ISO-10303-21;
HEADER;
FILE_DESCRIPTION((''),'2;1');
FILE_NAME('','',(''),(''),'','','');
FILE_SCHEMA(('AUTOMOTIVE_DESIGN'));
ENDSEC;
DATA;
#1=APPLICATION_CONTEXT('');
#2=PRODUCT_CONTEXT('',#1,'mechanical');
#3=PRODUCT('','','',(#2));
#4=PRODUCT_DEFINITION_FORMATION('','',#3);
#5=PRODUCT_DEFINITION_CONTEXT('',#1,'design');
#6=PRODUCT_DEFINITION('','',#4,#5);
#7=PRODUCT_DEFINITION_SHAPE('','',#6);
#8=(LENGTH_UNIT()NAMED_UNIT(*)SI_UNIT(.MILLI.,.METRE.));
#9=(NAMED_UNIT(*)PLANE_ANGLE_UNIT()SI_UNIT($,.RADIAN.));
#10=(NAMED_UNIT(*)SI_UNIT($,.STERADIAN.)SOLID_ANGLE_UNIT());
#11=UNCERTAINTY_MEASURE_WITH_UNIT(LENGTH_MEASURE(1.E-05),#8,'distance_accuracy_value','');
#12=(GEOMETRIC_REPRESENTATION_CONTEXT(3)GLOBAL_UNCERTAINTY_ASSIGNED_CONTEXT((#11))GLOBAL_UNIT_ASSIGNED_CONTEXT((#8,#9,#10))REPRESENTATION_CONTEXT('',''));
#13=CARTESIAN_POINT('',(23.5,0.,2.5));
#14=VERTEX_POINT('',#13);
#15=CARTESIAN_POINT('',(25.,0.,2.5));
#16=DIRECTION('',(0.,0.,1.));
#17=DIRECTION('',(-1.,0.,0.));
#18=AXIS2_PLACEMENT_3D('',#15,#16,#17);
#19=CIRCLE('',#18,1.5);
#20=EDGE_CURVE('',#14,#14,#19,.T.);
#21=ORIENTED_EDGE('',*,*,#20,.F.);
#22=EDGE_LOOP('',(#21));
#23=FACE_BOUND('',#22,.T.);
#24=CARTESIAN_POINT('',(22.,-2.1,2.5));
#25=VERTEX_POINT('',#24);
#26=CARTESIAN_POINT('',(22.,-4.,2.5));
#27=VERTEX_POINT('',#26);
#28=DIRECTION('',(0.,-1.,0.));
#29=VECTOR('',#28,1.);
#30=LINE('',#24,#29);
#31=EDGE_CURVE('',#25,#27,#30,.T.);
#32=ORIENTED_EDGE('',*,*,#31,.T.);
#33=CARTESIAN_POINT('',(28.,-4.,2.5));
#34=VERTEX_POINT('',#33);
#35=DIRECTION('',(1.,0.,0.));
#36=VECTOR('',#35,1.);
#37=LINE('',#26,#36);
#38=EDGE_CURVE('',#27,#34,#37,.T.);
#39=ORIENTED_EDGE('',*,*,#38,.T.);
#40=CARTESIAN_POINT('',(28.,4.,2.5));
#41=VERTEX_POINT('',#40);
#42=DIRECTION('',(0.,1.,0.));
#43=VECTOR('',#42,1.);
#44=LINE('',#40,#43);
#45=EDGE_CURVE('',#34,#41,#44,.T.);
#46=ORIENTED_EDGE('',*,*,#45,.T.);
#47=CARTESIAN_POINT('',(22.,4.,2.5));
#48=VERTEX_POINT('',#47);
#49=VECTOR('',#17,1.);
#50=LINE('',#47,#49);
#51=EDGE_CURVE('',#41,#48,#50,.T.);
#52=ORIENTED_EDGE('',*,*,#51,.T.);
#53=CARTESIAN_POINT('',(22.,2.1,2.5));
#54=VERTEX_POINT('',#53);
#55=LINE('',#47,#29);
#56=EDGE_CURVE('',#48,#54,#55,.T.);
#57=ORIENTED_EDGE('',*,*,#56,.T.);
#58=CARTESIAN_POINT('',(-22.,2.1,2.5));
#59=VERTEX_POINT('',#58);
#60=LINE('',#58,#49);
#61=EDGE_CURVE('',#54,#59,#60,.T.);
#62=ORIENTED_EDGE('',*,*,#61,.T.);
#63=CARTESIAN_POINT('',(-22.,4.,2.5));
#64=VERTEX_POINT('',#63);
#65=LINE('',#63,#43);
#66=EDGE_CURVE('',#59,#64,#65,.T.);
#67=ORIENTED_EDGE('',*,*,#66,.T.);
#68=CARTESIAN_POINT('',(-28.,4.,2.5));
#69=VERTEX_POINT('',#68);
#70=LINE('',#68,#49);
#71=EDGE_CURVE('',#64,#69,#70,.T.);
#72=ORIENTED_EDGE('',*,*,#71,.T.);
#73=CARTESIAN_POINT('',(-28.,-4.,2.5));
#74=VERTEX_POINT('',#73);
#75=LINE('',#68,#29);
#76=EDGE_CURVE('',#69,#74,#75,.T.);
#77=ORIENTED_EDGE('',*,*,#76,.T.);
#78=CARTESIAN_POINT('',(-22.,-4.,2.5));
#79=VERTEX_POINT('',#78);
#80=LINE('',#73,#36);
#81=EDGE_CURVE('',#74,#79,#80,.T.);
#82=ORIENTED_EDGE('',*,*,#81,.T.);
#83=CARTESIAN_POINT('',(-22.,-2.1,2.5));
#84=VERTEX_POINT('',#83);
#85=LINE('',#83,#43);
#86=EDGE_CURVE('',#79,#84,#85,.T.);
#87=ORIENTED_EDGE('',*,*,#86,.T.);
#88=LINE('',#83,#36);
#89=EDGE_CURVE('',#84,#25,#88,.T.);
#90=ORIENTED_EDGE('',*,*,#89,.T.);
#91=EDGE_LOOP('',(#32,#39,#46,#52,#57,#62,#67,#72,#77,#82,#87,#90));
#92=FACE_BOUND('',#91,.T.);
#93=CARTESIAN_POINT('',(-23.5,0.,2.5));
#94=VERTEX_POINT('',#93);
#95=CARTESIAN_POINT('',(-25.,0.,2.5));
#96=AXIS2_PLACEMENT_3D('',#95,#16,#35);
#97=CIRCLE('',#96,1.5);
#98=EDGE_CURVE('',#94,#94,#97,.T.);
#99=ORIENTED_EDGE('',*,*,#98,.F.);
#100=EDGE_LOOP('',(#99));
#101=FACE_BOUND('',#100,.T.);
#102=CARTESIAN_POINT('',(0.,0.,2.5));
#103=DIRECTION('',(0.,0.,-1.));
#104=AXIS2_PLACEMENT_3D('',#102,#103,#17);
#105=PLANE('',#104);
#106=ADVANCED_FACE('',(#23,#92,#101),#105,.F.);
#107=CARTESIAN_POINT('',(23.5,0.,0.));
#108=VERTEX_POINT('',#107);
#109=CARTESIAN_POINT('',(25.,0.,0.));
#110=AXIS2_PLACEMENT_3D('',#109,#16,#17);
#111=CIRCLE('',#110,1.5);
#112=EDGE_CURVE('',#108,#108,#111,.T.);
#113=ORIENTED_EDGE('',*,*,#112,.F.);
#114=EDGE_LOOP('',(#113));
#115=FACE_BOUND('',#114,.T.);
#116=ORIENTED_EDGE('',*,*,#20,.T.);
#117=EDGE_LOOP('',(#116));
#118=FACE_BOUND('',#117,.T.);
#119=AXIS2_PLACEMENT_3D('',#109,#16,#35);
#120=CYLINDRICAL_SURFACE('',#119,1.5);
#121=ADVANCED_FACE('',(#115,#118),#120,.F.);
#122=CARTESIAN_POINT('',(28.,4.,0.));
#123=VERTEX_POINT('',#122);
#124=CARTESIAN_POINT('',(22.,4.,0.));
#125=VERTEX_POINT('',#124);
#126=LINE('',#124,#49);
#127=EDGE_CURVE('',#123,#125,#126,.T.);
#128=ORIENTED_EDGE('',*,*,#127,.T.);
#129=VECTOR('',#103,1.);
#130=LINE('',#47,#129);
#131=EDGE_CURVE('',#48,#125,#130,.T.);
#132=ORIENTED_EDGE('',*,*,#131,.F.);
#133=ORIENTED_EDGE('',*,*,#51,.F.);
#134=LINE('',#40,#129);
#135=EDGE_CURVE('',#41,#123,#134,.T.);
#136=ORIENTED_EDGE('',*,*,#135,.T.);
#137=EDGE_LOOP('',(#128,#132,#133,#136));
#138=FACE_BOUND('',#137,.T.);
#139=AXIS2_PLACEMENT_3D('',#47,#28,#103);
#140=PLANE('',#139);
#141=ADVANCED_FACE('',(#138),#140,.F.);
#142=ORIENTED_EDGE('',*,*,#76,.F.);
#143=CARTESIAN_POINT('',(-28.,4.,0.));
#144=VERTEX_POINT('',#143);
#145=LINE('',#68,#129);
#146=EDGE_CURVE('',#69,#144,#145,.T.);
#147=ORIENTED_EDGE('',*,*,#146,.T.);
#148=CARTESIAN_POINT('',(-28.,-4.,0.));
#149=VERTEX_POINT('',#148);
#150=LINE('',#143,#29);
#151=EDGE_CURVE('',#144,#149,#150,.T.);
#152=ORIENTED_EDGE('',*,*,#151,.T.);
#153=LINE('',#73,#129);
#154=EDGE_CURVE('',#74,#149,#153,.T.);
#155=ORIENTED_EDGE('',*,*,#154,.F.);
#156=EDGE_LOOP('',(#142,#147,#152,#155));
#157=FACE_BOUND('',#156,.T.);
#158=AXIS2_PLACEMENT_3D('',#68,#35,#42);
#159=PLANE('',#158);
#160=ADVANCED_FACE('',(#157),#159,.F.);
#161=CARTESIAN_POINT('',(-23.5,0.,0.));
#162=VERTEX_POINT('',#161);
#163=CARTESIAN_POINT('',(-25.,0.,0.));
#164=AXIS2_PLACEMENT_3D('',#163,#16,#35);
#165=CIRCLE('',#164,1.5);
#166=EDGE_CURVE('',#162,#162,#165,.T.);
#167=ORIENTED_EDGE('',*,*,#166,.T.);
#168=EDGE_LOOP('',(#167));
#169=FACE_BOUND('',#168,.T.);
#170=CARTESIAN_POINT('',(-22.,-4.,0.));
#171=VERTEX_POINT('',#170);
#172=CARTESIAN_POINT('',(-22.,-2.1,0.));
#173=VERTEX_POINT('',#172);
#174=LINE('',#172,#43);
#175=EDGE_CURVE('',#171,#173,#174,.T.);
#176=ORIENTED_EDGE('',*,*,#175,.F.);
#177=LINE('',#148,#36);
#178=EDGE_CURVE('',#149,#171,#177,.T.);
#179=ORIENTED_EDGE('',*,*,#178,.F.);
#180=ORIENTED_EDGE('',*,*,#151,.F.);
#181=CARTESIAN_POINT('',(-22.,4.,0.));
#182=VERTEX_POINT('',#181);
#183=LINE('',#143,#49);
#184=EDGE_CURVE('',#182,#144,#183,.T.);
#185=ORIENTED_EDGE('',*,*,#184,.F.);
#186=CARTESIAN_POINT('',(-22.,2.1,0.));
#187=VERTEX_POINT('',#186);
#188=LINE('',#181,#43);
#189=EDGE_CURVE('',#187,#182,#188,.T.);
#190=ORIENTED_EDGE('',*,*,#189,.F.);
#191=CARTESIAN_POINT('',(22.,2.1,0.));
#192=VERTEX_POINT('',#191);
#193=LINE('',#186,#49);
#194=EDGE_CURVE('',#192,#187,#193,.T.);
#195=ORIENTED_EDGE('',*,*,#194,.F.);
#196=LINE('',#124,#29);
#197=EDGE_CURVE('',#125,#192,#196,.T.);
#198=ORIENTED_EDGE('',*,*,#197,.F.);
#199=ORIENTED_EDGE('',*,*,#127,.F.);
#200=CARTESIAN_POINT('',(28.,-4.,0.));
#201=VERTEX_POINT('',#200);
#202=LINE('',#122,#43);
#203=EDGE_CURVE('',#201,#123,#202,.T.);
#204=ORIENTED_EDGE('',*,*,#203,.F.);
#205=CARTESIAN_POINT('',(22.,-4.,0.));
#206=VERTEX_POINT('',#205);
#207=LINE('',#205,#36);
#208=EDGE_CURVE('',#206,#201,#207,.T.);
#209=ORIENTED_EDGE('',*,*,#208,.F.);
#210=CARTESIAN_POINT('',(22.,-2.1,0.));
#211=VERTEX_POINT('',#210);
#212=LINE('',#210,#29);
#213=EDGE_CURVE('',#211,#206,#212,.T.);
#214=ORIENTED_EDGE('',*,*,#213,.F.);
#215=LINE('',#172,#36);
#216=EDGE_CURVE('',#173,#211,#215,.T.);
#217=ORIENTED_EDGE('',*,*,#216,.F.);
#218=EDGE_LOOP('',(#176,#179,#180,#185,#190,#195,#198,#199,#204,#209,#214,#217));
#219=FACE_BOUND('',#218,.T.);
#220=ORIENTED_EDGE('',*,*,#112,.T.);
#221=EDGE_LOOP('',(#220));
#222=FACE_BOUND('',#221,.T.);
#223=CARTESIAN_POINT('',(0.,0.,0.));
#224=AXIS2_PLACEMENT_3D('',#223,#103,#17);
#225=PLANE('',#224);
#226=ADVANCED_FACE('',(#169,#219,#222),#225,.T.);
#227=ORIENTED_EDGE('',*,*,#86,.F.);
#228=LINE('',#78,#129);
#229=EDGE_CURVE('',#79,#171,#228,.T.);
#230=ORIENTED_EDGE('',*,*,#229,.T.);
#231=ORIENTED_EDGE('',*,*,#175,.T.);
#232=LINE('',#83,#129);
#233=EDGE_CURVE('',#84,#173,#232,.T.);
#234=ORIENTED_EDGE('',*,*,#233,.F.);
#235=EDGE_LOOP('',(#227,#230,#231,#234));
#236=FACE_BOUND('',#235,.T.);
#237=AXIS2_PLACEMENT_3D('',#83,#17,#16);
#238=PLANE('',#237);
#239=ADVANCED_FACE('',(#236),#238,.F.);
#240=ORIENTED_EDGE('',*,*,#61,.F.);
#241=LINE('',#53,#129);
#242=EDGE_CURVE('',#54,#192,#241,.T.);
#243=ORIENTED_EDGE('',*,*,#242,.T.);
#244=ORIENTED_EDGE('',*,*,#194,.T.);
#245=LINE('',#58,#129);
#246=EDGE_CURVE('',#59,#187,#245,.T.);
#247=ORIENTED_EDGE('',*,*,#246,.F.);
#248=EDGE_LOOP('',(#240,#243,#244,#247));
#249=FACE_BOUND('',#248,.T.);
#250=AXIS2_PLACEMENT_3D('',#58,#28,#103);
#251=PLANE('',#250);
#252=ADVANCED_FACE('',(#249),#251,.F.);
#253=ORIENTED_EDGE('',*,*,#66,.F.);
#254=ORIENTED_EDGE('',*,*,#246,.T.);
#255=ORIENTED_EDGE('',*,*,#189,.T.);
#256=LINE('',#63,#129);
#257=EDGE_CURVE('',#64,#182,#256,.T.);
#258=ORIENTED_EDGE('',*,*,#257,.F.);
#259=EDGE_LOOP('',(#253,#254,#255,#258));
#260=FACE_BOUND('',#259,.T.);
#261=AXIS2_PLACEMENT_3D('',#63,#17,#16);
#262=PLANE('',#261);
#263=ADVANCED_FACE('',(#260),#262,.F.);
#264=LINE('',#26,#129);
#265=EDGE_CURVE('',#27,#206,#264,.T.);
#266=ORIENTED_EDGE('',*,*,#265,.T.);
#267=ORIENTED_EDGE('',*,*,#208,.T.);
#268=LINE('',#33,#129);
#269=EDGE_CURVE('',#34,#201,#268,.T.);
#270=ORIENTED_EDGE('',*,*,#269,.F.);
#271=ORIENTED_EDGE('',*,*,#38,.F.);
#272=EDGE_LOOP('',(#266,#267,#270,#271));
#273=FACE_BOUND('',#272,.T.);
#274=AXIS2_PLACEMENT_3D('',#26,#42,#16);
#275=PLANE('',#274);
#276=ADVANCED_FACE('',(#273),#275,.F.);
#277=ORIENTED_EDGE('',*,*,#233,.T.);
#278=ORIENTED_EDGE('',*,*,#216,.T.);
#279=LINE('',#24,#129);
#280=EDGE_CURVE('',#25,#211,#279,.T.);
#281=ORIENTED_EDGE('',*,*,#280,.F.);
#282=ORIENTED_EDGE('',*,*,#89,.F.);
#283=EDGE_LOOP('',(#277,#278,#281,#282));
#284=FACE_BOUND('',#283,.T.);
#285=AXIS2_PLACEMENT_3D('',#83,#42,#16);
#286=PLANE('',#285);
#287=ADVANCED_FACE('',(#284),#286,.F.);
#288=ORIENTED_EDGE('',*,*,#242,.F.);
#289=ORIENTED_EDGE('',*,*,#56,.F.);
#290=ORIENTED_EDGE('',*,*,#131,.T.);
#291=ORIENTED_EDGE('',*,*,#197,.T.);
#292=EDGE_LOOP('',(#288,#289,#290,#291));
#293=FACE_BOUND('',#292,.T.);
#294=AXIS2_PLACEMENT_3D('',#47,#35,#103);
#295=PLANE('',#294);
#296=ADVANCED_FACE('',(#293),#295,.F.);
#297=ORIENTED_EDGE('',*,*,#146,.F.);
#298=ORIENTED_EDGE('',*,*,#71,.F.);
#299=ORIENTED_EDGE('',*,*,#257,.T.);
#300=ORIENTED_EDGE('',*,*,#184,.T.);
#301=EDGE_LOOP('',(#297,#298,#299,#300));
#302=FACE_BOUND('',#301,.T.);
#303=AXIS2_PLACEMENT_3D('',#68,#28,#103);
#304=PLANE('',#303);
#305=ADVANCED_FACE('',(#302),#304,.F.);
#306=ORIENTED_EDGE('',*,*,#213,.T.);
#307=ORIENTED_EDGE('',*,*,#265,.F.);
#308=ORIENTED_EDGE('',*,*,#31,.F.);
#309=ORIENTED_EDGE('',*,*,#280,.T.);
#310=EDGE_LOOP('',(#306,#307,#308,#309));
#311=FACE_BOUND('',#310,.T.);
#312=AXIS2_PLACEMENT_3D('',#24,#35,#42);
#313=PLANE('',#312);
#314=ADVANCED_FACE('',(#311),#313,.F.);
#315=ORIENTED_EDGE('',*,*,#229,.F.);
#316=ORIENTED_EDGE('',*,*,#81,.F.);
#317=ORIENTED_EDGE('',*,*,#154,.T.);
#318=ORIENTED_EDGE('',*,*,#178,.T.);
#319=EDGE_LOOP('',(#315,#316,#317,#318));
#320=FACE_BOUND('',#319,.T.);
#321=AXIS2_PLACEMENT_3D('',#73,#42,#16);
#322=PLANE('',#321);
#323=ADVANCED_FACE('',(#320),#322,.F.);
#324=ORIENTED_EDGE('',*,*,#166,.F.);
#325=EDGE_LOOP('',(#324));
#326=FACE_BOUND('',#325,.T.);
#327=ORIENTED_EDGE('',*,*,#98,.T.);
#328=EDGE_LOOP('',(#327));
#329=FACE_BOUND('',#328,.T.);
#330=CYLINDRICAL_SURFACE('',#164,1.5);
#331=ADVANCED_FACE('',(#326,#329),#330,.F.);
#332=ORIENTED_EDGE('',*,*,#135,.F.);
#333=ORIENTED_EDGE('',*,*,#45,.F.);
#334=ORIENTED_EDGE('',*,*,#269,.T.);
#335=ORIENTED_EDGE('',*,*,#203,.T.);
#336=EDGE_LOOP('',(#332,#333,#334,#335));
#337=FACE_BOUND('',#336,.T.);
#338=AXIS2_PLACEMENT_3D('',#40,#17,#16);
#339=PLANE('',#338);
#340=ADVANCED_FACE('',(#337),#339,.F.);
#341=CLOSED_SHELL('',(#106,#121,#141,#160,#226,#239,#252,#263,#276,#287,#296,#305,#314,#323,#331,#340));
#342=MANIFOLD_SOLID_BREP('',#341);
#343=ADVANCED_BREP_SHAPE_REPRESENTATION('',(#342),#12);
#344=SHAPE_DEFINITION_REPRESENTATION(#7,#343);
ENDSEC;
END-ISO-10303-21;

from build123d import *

# Parameters (mm, degrees)
EXTRUDE_1_DEPTH     = 2.5
SKETCH_2_R          = 1.5
CUT_EXTRUDE_1_DEPTH = 2.5


with BuildPart() as part:
    # Эскиз1 → Бобышка-Вытянуть1 (new body)
    with BuildSketch(Plane.XY):
        Polygon((-28, 4), (-22, 4), (-22, 2.1), (22, 2.1), (22, 4), (28, 4), (28, -4), (22, -4), (22, -2.1), (-22, -2.1), (-22, -4), (-28, -4), align=None)
    extrude(amount=EXTRUDE_1_DEPTH)

    # Эскиз2 → Вырез-Вытянуть1 (cut)
    with BuildSketch(Plane.XY.offset(2.5)):
        with Locations((-25, 0)):
            Circle(SKETCH_2_R)
        with Locations(Location((25, 0, 0), (0, 0, 180))):
            Circle(SKETCH_2_R)
    extrude(amount=-CUT_EXTRUDE_1_DEPTH, mode=Mode.SUBTRACT)


solid = part.part
